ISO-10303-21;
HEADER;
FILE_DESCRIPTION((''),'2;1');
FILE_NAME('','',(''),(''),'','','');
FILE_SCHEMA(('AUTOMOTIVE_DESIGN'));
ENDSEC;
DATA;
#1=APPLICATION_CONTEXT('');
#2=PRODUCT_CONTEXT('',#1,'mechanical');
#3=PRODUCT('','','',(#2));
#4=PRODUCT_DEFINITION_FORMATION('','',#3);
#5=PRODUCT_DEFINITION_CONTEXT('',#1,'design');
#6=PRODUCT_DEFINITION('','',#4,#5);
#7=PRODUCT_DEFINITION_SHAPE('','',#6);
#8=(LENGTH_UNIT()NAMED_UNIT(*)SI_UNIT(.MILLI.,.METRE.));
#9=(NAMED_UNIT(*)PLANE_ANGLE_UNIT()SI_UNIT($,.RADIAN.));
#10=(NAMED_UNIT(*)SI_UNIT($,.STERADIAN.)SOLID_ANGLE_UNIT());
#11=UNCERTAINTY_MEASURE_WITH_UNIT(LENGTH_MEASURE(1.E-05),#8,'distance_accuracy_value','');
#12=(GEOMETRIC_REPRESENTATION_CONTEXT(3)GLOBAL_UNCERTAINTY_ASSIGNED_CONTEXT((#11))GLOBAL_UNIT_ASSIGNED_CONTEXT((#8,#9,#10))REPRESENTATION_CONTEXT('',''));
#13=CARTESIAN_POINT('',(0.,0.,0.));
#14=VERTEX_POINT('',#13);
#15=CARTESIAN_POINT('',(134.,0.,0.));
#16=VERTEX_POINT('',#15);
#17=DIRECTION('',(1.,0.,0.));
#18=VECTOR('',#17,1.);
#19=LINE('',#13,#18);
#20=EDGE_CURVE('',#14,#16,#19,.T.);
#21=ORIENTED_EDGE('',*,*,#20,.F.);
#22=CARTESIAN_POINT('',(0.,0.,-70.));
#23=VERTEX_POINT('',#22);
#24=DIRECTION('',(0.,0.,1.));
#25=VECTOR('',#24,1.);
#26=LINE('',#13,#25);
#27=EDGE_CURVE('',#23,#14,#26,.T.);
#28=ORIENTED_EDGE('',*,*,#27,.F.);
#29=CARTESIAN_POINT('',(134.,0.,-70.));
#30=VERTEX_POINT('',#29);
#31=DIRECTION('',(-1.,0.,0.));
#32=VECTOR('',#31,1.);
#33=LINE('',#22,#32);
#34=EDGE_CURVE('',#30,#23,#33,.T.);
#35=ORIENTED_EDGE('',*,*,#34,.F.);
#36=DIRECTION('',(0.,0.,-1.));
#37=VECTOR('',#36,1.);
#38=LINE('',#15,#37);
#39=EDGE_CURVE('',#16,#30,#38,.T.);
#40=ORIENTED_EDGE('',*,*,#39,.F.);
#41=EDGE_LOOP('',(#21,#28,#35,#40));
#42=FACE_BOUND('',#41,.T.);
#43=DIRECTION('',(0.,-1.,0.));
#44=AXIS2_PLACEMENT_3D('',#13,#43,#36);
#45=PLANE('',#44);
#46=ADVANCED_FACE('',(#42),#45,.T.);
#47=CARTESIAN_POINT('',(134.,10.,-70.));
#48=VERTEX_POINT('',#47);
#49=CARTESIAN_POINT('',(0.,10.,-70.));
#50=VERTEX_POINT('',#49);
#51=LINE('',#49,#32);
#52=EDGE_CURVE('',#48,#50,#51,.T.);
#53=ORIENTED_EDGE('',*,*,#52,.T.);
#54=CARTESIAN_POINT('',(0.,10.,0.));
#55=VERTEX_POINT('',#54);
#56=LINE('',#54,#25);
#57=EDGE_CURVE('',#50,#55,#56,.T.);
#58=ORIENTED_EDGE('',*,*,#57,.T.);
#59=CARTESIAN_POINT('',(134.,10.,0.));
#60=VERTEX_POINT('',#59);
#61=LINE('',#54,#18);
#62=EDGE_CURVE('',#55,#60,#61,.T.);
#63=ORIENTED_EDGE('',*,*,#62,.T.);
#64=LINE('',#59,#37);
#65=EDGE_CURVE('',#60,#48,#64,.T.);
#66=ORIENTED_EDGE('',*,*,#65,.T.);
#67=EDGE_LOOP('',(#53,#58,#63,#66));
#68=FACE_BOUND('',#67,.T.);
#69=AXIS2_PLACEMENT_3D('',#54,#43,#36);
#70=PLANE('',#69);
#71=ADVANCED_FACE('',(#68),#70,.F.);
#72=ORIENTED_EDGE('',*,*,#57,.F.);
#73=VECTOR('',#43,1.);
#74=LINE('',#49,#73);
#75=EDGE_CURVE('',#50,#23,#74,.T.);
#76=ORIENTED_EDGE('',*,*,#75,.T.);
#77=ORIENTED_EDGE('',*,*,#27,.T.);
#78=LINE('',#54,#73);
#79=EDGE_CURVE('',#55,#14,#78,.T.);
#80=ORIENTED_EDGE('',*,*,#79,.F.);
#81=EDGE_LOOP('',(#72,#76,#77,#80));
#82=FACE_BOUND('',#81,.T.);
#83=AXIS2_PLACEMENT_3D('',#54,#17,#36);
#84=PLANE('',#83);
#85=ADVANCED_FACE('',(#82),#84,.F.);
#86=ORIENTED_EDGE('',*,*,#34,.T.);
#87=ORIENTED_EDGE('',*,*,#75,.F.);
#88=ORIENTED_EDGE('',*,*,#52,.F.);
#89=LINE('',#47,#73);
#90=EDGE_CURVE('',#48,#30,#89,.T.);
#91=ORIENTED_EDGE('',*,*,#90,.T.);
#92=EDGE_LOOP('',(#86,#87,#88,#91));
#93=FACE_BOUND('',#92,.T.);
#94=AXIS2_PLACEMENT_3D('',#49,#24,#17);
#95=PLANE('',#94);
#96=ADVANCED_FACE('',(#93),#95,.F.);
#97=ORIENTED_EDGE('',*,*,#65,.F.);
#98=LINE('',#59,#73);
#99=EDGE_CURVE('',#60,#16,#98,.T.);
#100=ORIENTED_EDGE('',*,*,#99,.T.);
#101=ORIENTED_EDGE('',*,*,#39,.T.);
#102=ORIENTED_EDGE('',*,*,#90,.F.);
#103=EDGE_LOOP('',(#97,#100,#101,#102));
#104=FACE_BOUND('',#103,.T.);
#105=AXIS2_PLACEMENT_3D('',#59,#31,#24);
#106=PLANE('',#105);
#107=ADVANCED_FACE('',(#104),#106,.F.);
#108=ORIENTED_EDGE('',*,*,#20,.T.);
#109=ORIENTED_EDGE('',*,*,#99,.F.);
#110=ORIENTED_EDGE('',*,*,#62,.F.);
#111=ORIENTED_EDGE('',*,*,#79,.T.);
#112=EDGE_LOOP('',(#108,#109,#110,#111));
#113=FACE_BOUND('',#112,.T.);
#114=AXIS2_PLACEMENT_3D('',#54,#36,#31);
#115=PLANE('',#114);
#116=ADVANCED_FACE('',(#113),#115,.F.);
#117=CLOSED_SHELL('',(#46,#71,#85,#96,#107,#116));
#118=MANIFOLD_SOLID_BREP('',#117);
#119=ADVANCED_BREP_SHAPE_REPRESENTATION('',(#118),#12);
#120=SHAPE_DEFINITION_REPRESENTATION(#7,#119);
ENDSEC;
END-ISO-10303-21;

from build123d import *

# Parameters (mm, degrees)
CROQUIS1_W              = 134
CROQUIS1_H              = 70
SALIENTE_EXTRUIR1_DEPTH = 10


with BuildPart() as part:
    # Croquis1 → Saliente-Extruir1 (new body)
    with BuildSketch(Plane(origin=(0, 0, 0), x_dir=(1, 0, 0), z_dir=(0, 1, 0))):
        with Locations((67, 35)):
            Rectangle(CROQUIS1_W, CROQUIS1_H)
    extrude(amount=SALIENTE_EXTRUIR1_DEPTH)


solid = part.part
